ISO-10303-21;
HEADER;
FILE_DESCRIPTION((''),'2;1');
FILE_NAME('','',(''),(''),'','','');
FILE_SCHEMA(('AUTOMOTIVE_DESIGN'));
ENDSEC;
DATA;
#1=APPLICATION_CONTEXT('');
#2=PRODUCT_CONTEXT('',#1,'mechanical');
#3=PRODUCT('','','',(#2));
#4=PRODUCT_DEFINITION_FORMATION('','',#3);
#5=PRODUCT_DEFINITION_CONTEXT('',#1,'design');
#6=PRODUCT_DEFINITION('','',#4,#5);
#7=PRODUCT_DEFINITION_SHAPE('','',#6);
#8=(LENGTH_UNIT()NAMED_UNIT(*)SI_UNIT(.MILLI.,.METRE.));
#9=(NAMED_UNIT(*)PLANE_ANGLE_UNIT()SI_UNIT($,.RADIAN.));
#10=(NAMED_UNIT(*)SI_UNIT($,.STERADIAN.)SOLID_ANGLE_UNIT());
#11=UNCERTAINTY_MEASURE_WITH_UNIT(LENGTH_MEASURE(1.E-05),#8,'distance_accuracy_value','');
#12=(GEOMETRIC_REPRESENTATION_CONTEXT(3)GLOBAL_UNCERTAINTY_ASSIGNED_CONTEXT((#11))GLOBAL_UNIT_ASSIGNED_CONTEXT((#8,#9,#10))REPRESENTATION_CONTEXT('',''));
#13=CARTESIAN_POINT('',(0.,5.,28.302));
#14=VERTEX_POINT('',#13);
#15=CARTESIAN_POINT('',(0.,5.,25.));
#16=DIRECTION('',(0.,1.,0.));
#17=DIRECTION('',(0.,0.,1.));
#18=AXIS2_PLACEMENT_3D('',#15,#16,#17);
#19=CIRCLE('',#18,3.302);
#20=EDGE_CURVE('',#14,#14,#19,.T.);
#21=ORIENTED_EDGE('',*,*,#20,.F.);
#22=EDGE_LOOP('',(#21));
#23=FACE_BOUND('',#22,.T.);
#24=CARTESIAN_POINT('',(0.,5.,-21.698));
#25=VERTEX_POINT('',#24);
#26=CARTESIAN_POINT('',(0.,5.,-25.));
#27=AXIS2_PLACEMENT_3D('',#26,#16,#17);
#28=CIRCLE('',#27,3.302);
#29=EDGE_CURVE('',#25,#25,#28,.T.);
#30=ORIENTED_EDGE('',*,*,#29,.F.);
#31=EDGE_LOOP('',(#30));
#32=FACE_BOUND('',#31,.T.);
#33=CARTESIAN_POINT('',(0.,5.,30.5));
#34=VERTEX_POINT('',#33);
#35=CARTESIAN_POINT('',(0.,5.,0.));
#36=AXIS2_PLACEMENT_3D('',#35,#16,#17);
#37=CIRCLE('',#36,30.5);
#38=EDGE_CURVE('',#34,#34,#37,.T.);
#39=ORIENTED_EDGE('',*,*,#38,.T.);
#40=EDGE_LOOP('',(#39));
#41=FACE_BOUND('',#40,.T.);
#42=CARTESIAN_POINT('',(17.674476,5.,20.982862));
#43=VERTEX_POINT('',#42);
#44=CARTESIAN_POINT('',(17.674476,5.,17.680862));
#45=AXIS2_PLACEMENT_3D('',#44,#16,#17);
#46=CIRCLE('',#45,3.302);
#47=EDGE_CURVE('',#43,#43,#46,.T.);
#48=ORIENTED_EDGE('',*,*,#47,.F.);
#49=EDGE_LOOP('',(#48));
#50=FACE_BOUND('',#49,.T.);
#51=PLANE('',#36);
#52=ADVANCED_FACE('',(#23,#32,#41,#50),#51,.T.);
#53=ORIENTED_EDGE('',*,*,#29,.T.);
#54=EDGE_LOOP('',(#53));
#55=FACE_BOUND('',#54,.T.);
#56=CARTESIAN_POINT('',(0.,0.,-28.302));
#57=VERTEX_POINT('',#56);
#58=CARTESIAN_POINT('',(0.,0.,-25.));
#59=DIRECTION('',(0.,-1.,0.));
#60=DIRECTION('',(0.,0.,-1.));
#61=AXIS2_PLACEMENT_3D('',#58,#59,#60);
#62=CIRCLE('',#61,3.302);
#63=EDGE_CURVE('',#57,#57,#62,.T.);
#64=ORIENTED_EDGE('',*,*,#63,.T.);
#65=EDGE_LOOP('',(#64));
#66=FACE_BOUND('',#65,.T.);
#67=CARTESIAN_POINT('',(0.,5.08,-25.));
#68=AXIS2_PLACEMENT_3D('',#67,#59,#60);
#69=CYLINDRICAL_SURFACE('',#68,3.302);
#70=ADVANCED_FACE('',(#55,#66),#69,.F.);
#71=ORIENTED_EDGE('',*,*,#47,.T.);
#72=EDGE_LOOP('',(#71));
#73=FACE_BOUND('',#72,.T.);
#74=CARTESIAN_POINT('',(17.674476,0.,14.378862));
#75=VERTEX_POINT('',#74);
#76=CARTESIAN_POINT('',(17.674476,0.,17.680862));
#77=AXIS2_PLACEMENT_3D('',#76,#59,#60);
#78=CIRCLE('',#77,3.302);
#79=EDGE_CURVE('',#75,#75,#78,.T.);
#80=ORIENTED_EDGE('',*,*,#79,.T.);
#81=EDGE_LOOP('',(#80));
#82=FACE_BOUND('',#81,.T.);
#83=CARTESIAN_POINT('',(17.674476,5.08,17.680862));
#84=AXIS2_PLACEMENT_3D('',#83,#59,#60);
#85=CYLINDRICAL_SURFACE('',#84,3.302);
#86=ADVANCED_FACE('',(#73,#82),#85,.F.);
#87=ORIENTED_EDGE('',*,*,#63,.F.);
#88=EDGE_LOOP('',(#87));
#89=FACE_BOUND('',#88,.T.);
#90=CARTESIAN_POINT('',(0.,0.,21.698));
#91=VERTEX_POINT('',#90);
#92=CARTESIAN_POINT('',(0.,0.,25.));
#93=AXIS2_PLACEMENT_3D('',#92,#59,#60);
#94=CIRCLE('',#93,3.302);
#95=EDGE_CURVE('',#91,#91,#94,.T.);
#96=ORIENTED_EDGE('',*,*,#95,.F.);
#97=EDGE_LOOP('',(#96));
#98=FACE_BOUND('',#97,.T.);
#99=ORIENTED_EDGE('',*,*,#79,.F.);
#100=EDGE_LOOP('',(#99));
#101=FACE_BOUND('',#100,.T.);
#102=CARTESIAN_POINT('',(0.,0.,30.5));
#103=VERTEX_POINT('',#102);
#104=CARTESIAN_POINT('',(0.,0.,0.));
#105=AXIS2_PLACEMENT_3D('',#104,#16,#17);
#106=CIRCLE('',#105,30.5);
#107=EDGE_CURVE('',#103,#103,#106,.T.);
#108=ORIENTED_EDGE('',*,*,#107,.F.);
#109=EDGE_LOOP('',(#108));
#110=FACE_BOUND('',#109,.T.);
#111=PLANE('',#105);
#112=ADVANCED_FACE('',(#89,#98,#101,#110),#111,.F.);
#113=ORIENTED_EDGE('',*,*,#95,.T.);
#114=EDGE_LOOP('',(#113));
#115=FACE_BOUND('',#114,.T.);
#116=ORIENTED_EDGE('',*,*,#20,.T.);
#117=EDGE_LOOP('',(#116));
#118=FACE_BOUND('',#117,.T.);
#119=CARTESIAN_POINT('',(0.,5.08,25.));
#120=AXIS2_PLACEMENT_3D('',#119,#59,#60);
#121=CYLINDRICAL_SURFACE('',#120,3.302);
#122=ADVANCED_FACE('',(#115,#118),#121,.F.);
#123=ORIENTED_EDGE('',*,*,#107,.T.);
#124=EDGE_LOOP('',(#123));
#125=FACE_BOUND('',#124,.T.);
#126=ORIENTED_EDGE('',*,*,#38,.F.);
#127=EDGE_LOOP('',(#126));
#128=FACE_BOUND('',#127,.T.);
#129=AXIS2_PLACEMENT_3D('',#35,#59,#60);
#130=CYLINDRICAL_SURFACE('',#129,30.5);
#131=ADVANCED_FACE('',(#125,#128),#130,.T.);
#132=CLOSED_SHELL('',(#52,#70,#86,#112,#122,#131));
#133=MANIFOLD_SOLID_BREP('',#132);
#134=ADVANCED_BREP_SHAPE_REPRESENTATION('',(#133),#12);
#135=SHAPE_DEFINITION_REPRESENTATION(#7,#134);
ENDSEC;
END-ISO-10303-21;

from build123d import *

# Parameters (mm, degrees)
SKETCH1_R           = 30.5
BOSS_EXTRUDE1_DEPTH = 5
SKETCH4_R           = 3.302
CUT_EXTRUDE2_DEPTH  = 5.08
SKETCH5_R           = 3.302
CUT_EXTRUDE3_DEPTH  = 5.08
SKETCH6_R           = 3.302
CUT_EXTRUDE4_DEPTH  = 5.08


with BuildPart() as part:
    # Sketch1 → Boss-Extrude1 (new body)
    with BuildSketch(Plane(origin=(0, 0, 0), x_dir=(1, 0, 0), z_dir=(0, 1, 0))):
        with Locations(Location((0, 0, 0), (0, 0, 270))):
            Circle(SKETCH1_R)
    extrude(amount=BOSS_EXTRUDE1_DEPTH)

    # Sketch4 → Cut-Extrude2 (cut)
    with BuildSketch(Plane(origin=(0, 0, 0), x_dir=(-1, 0, 0), z_dir=(0, -1, 0))):
        with Locations(Location((0, 25, 0), (0, 0, 90))):
            Circle(SKETCH4_R)
    extrude(amount=-CUT_EXTRUDE2_DEPTH, mode=Mode.SUBTRACT)

    # Sketch5 → Cut-Extrude3 (cut)
    with BuildSketch(Plane.XZ):
        with Locations(Location((0, 25, 0), (0, 0, 270))):
            Circle(SKETCH5_R)
    extrude(amount=-CUT_EXTRUDE3_DEPTH, mode=Mode.SUBTRACT)

    # Sketch6 → Cut-Extrude4 (cut)
    with BuildSketch(Plane.XZ):
        with Locations(Location((17.674476483, 17.680862, 0), (0, 0, 270))):
            Circle(SKETCH6_R)
    extrude(amount=-CUT_EXTRUDE4_DEPTH, mode=Mode.SUBTRACT)


solid = part.part
